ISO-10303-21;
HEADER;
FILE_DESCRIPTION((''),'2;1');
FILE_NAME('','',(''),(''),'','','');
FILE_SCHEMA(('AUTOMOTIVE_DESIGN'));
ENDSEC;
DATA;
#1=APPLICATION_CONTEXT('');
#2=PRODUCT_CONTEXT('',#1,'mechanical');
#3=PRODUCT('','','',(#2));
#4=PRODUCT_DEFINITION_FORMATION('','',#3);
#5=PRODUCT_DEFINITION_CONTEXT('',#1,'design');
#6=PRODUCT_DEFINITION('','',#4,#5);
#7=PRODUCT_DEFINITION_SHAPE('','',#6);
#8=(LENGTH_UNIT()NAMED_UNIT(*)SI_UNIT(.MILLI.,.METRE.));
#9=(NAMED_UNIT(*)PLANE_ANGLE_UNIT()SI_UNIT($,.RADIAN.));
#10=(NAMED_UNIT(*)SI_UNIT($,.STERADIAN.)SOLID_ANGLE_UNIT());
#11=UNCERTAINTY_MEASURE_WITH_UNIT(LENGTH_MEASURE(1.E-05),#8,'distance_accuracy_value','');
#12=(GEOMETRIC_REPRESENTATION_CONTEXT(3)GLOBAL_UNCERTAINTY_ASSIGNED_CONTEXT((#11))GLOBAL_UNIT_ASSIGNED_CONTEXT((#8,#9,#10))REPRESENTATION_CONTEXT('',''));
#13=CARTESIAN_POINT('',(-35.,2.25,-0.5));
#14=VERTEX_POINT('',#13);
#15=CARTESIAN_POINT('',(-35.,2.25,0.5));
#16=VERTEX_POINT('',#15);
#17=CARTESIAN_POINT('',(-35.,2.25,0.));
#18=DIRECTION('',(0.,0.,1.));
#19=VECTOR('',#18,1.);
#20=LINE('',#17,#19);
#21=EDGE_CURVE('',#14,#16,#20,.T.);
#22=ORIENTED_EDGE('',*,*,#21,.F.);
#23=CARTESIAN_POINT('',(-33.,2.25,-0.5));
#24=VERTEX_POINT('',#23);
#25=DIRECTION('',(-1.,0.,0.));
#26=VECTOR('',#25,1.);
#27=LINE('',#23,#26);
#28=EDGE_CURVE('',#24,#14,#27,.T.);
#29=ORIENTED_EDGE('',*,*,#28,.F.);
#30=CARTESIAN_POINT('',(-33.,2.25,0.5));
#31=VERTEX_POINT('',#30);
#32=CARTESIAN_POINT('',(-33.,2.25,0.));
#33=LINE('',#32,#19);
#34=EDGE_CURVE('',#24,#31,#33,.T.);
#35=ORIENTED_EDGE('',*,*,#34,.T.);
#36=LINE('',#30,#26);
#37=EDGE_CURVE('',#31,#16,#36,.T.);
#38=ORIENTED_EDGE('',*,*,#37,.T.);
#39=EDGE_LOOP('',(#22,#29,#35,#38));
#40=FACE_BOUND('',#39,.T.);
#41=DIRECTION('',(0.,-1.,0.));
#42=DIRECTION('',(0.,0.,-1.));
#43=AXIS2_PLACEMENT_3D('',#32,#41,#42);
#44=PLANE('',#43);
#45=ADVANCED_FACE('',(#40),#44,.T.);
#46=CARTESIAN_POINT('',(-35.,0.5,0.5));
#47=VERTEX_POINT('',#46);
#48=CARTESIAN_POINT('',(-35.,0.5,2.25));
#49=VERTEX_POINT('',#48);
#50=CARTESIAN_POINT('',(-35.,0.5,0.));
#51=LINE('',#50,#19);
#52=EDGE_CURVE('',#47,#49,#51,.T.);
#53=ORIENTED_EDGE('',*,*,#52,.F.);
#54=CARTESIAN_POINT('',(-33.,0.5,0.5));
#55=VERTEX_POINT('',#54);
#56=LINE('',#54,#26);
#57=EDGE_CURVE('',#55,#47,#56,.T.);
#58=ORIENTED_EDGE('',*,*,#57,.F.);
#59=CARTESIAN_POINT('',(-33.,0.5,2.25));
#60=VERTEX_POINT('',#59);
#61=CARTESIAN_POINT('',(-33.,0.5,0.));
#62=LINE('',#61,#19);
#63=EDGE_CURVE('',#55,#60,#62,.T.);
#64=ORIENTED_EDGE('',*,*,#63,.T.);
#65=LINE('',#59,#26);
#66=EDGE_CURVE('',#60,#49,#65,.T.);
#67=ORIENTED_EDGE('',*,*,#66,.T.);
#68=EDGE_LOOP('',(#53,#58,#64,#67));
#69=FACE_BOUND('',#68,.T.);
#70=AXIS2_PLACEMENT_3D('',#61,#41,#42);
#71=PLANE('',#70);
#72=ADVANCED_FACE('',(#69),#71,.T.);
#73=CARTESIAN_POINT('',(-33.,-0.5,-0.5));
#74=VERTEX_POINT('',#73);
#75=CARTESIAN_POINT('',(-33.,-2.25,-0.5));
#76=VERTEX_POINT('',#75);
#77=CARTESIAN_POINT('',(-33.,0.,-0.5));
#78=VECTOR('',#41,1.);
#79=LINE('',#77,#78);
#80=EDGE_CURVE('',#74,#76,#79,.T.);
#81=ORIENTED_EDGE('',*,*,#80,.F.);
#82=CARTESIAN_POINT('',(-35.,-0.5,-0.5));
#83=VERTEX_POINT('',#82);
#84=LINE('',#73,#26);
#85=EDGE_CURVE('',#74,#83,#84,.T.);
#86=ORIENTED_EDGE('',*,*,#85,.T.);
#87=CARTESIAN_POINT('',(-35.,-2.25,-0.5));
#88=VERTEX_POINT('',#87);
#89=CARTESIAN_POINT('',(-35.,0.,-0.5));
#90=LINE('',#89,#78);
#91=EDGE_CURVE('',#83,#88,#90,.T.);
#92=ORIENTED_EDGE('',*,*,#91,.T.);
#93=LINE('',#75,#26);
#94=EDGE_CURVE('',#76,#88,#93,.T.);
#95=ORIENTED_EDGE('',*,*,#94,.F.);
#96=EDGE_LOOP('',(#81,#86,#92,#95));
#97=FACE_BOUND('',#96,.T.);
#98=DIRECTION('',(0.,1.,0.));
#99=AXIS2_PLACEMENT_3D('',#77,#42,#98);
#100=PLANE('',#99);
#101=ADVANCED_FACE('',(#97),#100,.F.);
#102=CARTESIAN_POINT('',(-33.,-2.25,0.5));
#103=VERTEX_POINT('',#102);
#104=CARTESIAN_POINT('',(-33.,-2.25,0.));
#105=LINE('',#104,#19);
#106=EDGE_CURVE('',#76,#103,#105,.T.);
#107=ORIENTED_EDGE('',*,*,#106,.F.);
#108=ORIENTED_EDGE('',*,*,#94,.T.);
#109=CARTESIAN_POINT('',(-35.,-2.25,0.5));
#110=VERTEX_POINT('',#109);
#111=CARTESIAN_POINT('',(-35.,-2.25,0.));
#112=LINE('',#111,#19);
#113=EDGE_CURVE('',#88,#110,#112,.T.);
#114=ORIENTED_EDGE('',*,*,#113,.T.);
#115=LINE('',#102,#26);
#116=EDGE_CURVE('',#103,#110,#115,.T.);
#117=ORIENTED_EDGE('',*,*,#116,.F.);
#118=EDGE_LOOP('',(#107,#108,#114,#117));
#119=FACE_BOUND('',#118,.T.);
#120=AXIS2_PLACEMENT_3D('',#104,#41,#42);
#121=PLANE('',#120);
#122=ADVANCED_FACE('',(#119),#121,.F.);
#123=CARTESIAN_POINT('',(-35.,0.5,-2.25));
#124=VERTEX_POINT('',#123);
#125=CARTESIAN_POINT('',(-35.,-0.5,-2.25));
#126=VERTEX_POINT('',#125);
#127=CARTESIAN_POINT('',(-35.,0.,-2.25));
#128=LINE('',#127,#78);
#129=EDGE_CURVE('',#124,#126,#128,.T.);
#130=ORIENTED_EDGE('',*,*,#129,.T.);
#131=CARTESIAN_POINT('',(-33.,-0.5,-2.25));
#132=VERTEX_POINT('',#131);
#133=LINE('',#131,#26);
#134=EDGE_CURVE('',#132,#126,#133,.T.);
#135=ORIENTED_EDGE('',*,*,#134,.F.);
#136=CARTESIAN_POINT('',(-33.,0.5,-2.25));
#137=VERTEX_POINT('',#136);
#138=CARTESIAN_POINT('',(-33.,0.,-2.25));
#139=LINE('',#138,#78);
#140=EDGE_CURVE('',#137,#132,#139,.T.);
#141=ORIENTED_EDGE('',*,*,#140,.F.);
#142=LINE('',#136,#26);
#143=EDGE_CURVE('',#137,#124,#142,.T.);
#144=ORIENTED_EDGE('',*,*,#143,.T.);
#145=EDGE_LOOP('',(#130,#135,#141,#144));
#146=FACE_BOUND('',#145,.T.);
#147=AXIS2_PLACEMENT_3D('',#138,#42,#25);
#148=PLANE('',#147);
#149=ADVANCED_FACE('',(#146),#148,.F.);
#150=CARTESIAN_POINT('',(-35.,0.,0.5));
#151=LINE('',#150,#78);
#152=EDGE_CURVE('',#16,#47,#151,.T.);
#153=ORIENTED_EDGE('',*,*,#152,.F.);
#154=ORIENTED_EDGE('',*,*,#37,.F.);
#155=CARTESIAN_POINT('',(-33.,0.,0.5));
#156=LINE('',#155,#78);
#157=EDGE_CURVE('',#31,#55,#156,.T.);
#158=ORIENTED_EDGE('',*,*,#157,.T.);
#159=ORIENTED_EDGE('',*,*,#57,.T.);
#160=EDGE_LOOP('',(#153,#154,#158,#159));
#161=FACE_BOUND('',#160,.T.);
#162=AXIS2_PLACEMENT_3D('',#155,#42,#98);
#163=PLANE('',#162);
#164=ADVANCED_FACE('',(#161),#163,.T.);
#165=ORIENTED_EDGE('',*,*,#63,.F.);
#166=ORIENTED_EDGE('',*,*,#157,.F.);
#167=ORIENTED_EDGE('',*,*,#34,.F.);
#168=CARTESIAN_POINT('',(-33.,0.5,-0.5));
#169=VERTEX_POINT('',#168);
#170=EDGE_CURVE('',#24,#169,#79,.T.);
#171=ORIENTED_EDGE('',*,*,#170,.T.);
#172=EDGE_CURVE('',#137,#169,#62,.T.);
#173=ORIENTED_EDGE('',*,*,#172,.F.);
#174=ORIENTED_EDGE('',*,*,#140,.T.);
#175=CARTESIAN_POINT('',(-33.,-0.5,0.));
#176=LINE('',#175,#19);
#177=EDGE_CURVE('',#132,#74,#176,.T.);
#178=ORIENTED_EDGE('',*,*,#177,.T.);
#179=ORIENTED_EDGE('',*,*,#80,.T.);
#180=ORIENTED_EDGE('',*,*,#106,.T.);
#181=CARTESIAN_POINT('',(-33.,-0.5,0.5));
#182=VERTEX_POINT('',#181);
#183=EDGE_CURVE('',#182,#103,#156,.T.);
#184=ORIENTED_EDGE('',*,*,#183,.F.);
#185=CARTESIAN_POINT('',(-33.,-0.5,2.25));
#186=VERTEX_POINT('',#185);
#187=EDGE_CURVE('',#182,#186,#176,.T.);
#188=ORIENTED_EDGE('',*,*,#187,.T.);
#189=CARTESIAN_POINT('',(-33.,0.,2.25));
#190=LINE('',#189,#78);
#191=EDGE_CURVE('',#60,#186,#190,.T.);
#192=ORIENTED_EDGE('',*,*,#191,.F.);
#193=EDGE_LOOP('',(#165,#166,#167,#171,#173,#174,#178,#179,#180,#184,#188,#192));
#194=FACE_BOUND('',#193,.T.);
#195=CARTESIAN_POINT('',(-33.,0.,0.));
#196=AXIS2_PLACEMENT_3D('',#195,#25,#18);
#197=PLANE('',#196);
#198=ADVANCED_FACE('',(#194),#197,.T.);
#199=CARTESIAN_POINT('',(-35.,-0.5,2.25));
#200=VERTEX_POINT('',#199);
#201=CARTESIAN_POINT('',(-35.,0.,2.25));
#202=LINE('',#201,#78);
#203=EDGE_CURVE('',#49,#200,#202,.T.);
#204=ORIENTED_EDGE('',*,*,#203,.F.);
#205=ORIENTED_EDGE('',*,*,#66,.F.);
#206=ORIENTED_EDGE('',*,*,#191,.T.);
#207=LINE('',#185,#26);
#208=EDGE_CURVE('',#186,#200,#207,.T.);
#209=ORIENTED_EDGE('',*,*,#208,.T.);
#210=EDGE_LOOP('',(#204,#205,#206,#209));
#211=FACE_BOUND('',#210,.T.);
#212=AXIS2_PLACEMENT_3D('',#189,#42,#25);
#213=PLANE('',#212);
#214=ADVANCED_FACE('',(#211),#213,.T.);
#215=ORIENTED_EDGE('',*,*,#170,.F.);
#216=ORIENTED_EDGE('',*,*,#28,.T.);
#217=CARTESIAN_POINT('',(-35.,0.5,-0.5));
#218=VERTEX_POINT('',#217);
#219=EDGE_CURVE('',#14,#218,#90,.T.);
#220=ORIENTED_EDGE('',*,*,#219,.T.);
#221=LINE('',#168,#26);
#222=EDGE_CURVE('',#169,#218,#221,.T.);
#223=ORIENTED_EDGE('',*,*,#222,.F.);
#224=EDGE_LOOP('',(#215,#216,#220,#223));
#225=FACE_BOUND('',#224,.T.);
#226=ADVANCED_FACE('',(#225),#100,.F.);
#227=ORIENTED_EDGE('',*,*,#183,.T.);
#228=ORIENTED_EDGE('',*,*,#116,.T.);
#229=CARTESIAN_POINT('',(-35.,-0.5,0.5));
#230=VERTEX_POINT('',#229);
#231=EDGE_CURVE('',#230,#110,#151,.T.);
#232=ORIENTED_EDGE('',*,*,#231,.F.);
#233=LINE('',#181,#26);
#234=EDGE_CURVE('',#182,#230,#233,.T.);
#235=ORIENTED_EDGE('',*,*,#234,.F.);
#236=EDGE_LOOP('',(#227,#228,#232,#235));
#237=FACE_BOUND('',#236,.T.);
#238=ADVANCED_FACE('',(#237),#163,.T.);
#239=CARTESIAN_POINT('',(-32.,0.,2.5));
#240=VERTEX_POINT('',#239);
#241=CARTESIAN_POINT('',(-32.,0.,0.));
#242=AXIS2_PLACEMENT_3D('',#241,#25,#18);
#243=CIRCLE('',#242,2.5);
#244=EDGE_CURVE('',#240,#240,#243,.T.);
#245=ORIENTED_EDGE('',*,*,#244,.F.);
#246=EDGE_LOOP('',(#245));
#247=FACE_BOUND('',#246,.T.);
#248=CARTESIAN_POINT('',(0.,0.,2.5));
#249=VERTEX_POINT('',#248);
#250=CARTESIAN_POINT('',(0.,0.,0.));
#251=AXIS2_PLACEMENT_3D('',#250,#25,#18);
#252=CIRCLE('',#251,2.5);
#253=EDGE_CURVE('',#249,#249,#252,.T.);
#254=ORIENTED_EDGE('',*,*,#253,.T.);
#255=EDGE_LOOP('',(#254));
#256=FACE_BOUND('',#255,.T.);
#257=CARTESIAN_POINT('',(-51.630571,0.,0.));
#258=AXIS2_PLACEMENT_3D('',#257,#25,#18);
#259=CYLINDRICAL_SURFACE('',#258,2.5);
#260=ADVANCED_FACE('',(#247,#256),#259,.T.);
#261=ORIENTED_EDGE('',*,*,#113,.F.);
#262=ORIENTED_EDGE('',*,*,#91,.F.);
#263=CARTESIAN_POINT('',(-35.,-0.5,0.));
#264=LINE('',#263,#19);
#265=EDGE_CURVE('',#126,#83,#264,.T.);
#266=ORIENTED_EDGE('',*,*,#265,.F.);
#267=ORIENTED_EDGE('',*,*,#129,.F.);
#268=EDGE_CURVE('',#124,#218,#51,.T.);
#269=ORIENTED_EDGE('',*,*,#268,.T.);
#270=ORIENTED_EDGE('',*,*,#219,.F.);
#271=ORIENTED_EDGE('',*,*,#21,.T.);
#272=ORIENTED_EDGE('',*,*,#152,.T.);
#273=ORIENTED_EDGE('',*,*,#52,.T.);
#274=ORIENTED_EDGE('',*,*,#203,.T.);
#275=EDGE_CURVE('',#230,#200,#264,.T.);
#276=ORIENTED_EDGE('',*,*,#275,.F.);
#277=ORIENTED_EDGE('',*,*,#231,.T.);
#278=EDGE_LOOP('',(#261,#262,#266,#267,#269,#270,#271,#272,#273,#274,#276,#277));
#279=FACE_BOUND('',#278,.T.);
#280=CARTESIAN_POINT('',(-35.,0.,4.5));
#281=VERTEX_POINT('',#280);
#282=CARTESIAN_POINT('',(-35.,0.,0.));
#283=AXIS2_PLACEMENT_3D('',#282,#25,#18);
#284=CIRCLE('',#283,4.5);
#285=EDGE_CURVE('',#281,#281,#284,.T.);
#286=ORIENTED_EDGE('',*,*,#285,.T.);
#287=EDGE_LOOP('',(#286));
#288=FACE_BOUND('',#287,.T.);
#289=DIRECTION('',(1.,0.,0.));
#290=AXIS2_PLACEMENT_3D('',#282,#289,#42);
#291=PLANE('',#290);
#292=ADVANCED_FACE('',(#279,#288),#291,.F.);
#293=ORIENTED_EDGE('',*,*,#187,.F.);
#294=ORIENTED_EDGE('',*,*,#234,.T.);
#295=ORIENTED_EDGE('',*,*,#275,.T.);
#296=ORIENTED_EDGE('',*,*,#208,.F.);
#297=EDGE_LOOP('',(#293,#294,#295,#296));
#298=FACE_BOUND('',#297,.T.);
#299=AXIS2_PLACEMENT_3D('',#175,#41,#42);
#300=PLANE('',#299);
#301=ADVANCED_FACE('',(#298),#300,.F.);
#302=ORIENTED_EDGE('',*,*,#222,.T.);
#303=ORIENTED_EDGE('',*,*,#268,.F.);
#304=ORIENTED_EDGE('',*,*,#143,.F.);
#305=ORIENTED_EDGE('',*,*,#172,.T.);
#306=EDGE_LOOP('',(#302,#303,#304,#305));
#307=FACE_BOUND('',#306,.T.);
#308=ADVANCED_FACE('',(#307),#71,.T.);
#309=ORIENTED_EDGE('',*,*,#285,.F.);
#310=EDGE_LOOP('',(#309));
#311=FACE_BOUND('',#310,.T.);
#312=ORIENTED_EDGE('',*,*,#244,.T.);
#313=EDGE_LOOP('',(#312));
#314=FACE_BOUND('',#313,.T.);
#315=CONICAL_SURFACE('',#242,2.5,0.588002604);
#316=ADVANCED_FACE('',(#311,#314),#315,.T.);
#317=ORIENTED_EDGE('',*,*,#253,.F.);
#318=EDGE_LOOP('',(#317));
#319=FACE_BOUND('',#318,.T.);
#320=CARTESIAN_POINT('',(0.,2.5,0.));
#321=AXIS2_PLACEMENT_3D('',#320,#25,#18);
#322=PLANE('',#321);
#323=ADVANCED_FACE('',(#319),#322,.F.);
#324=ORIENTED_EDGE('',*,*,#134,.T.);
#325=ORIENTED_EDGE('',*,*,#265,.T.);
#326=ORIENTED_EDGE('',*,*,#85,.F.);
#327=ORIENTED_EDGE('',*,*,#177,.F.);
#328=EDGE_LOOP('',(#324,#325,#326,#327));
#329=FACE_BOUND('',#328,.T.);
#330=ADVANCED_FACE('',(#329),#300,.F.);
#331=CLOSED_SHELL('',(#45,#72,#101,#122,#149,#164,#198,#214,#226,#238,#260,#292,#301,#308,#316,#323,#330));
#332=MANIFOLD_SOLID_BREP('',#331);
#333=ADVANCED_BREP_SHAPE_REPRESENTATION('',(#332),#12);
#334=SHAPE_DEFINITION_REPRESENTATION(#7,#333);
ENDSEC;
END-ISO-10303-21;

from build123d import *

# Parameters (mm, degrees)
SKETCH_2_W          = 1
SKETCH_2_H          = 1.75
SKETCH_2_W_2        = 1.75
SKETCH_2_H_2        = 1
CUT_EXTRUDE_1_DEPTH = 2


with BuildPart() as part:
    # Эскиз1 → Повернуть1 (revolve)
    with BuildSketch(Plane.XY, mode=Mode.PRIVATE) as revolve_1_sk:
        Polygon((-35, 0), (-35, 4.5), (-32, 2.5), (0, 2.5), (0, 0), align=None)
    revolve(revolve_1_sk.sketch.rotate(Axis((-51.630571285, 0, 0), (1, 0, 0)), 90), axis=Axis((-51.630571285, 0, 0), (1, 0, 0)))

    # Эскиз2 → Вырез-Вытянуть1 (cut)
    with BuildSketch(Plane.ZY.offset(35)):
        with Locations((0, 1.375)):
            Rectangle(SKETCH_2_W, SKETCH_2_H)
        with Locations((1.375, 0)):
            Rectangle(SKETCH_2_W_2, SKETCH_2_H_2)
        with Locations((0, -1.375)):
            Rectangle(SKETCH_2_W, SKETCH_2_H)
        with Locations((-1.375, 0)):
            Rectangle(SKETCH_2_W_2, SKETCH_2_H_2)
        Rectangle(SKETCH_2_W, SKETCH_2_H_2)
    extrude(amount=-CUT_EXTRUDE_1_DEPTH, mode=Mode.SUBTRACT)


solid = part.part
